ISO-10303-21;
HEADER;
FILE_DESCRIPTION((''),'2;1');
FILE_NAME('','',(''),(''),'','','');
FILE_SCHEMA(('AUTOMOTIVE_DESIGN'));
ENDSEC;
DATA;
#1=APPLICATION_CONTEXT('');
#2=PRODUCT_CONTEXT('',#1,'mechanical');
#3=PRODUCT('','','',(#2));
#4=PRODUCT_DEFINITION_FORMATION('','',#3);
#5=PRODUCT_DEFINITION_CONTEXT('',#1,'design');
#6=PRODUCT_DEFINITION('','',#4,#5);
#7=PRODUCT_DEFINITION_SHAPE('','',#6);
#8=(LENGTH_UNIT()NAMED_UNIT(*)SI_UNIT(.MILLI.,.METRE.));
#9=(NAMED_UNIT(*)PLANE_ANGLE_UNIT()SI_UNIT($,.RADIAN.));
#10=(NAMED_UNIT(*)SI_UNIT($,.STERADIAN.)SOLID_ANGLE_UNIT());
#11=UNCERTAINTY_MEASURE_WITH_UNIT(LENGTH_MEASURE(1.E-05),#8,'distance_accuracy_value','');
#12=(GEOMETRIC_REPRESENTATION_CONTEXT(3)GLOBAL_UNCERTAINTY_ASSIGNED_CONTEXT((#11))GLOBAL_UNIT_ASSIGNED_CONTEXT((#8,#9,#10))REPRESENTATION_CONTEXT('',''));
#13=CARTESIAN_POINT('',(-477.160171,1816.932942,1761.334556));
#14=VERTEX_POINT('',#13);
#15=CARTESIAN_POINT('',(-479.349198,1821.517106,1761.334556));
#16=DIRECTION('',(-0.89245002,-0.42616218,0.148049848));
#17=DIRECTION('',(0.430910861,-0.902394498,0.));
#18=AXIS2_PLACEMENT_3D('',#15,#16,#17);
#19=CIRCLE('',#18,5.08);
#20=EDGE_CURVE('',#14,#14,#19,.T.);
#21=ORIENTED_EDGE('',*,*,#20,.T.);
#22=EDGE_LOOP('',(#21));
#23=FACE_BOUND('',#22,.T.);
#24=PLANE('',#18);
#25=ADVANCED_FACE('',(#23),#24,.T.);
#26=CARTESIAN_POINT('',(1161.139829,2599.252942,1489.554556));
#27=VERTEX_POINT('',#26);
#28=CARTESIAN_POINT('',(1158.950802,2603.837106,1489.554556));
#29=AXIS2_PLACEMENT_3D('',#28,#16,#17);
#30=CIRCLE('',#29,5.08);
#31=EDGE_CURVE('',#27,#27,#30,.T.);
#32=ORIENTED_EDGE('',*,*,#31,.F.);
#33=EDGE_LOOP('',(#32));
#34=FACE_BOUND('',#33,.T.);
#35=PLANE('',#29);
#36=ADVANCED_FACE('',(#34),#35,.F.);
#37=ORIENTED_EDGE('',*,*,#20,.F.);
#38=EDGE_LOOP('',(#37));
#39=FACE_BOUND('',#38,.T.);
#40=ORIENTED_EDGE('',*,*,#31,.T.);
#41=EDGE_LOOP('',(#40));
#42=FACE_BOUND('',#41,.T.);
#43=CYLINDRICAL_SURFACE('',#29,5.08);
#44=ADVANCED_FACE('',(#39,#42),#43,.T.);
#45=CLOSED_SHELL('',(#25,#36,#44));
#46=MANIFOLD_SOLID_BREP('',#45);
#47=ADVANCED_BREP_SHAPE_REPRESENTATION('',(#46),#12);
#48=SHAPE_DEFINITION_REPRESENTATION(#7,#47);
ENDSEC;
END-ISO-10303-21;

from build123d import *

# Parameters (mm, degrees)
SWEEP1_PROFILE_R = 5.08


with BuildPart() as part:
    # Sweep1: sweep along a curve in space
    with BuildLine() as sweep1_path:
        Line((1158.950801769, 2603.837106037, 1489.55455637), (-479.349198231, 1821.517106037, 1761.33455637))
    # Sweep1 profile (on start of the path) → Sweep1 (sweep)
    with BuildSketch(Plane(origin=(1158.950801769, 2603.837106037, 1489.55455637), x_dir=(0.430910861, -0.902394498, 0), z_dir=(-0.89245002, -0.42616218, 0.148049848))):
        Circle(SWEEP1_PROFILE_R)
    sweep(path=sweep1_path.line)


solid = part.part
